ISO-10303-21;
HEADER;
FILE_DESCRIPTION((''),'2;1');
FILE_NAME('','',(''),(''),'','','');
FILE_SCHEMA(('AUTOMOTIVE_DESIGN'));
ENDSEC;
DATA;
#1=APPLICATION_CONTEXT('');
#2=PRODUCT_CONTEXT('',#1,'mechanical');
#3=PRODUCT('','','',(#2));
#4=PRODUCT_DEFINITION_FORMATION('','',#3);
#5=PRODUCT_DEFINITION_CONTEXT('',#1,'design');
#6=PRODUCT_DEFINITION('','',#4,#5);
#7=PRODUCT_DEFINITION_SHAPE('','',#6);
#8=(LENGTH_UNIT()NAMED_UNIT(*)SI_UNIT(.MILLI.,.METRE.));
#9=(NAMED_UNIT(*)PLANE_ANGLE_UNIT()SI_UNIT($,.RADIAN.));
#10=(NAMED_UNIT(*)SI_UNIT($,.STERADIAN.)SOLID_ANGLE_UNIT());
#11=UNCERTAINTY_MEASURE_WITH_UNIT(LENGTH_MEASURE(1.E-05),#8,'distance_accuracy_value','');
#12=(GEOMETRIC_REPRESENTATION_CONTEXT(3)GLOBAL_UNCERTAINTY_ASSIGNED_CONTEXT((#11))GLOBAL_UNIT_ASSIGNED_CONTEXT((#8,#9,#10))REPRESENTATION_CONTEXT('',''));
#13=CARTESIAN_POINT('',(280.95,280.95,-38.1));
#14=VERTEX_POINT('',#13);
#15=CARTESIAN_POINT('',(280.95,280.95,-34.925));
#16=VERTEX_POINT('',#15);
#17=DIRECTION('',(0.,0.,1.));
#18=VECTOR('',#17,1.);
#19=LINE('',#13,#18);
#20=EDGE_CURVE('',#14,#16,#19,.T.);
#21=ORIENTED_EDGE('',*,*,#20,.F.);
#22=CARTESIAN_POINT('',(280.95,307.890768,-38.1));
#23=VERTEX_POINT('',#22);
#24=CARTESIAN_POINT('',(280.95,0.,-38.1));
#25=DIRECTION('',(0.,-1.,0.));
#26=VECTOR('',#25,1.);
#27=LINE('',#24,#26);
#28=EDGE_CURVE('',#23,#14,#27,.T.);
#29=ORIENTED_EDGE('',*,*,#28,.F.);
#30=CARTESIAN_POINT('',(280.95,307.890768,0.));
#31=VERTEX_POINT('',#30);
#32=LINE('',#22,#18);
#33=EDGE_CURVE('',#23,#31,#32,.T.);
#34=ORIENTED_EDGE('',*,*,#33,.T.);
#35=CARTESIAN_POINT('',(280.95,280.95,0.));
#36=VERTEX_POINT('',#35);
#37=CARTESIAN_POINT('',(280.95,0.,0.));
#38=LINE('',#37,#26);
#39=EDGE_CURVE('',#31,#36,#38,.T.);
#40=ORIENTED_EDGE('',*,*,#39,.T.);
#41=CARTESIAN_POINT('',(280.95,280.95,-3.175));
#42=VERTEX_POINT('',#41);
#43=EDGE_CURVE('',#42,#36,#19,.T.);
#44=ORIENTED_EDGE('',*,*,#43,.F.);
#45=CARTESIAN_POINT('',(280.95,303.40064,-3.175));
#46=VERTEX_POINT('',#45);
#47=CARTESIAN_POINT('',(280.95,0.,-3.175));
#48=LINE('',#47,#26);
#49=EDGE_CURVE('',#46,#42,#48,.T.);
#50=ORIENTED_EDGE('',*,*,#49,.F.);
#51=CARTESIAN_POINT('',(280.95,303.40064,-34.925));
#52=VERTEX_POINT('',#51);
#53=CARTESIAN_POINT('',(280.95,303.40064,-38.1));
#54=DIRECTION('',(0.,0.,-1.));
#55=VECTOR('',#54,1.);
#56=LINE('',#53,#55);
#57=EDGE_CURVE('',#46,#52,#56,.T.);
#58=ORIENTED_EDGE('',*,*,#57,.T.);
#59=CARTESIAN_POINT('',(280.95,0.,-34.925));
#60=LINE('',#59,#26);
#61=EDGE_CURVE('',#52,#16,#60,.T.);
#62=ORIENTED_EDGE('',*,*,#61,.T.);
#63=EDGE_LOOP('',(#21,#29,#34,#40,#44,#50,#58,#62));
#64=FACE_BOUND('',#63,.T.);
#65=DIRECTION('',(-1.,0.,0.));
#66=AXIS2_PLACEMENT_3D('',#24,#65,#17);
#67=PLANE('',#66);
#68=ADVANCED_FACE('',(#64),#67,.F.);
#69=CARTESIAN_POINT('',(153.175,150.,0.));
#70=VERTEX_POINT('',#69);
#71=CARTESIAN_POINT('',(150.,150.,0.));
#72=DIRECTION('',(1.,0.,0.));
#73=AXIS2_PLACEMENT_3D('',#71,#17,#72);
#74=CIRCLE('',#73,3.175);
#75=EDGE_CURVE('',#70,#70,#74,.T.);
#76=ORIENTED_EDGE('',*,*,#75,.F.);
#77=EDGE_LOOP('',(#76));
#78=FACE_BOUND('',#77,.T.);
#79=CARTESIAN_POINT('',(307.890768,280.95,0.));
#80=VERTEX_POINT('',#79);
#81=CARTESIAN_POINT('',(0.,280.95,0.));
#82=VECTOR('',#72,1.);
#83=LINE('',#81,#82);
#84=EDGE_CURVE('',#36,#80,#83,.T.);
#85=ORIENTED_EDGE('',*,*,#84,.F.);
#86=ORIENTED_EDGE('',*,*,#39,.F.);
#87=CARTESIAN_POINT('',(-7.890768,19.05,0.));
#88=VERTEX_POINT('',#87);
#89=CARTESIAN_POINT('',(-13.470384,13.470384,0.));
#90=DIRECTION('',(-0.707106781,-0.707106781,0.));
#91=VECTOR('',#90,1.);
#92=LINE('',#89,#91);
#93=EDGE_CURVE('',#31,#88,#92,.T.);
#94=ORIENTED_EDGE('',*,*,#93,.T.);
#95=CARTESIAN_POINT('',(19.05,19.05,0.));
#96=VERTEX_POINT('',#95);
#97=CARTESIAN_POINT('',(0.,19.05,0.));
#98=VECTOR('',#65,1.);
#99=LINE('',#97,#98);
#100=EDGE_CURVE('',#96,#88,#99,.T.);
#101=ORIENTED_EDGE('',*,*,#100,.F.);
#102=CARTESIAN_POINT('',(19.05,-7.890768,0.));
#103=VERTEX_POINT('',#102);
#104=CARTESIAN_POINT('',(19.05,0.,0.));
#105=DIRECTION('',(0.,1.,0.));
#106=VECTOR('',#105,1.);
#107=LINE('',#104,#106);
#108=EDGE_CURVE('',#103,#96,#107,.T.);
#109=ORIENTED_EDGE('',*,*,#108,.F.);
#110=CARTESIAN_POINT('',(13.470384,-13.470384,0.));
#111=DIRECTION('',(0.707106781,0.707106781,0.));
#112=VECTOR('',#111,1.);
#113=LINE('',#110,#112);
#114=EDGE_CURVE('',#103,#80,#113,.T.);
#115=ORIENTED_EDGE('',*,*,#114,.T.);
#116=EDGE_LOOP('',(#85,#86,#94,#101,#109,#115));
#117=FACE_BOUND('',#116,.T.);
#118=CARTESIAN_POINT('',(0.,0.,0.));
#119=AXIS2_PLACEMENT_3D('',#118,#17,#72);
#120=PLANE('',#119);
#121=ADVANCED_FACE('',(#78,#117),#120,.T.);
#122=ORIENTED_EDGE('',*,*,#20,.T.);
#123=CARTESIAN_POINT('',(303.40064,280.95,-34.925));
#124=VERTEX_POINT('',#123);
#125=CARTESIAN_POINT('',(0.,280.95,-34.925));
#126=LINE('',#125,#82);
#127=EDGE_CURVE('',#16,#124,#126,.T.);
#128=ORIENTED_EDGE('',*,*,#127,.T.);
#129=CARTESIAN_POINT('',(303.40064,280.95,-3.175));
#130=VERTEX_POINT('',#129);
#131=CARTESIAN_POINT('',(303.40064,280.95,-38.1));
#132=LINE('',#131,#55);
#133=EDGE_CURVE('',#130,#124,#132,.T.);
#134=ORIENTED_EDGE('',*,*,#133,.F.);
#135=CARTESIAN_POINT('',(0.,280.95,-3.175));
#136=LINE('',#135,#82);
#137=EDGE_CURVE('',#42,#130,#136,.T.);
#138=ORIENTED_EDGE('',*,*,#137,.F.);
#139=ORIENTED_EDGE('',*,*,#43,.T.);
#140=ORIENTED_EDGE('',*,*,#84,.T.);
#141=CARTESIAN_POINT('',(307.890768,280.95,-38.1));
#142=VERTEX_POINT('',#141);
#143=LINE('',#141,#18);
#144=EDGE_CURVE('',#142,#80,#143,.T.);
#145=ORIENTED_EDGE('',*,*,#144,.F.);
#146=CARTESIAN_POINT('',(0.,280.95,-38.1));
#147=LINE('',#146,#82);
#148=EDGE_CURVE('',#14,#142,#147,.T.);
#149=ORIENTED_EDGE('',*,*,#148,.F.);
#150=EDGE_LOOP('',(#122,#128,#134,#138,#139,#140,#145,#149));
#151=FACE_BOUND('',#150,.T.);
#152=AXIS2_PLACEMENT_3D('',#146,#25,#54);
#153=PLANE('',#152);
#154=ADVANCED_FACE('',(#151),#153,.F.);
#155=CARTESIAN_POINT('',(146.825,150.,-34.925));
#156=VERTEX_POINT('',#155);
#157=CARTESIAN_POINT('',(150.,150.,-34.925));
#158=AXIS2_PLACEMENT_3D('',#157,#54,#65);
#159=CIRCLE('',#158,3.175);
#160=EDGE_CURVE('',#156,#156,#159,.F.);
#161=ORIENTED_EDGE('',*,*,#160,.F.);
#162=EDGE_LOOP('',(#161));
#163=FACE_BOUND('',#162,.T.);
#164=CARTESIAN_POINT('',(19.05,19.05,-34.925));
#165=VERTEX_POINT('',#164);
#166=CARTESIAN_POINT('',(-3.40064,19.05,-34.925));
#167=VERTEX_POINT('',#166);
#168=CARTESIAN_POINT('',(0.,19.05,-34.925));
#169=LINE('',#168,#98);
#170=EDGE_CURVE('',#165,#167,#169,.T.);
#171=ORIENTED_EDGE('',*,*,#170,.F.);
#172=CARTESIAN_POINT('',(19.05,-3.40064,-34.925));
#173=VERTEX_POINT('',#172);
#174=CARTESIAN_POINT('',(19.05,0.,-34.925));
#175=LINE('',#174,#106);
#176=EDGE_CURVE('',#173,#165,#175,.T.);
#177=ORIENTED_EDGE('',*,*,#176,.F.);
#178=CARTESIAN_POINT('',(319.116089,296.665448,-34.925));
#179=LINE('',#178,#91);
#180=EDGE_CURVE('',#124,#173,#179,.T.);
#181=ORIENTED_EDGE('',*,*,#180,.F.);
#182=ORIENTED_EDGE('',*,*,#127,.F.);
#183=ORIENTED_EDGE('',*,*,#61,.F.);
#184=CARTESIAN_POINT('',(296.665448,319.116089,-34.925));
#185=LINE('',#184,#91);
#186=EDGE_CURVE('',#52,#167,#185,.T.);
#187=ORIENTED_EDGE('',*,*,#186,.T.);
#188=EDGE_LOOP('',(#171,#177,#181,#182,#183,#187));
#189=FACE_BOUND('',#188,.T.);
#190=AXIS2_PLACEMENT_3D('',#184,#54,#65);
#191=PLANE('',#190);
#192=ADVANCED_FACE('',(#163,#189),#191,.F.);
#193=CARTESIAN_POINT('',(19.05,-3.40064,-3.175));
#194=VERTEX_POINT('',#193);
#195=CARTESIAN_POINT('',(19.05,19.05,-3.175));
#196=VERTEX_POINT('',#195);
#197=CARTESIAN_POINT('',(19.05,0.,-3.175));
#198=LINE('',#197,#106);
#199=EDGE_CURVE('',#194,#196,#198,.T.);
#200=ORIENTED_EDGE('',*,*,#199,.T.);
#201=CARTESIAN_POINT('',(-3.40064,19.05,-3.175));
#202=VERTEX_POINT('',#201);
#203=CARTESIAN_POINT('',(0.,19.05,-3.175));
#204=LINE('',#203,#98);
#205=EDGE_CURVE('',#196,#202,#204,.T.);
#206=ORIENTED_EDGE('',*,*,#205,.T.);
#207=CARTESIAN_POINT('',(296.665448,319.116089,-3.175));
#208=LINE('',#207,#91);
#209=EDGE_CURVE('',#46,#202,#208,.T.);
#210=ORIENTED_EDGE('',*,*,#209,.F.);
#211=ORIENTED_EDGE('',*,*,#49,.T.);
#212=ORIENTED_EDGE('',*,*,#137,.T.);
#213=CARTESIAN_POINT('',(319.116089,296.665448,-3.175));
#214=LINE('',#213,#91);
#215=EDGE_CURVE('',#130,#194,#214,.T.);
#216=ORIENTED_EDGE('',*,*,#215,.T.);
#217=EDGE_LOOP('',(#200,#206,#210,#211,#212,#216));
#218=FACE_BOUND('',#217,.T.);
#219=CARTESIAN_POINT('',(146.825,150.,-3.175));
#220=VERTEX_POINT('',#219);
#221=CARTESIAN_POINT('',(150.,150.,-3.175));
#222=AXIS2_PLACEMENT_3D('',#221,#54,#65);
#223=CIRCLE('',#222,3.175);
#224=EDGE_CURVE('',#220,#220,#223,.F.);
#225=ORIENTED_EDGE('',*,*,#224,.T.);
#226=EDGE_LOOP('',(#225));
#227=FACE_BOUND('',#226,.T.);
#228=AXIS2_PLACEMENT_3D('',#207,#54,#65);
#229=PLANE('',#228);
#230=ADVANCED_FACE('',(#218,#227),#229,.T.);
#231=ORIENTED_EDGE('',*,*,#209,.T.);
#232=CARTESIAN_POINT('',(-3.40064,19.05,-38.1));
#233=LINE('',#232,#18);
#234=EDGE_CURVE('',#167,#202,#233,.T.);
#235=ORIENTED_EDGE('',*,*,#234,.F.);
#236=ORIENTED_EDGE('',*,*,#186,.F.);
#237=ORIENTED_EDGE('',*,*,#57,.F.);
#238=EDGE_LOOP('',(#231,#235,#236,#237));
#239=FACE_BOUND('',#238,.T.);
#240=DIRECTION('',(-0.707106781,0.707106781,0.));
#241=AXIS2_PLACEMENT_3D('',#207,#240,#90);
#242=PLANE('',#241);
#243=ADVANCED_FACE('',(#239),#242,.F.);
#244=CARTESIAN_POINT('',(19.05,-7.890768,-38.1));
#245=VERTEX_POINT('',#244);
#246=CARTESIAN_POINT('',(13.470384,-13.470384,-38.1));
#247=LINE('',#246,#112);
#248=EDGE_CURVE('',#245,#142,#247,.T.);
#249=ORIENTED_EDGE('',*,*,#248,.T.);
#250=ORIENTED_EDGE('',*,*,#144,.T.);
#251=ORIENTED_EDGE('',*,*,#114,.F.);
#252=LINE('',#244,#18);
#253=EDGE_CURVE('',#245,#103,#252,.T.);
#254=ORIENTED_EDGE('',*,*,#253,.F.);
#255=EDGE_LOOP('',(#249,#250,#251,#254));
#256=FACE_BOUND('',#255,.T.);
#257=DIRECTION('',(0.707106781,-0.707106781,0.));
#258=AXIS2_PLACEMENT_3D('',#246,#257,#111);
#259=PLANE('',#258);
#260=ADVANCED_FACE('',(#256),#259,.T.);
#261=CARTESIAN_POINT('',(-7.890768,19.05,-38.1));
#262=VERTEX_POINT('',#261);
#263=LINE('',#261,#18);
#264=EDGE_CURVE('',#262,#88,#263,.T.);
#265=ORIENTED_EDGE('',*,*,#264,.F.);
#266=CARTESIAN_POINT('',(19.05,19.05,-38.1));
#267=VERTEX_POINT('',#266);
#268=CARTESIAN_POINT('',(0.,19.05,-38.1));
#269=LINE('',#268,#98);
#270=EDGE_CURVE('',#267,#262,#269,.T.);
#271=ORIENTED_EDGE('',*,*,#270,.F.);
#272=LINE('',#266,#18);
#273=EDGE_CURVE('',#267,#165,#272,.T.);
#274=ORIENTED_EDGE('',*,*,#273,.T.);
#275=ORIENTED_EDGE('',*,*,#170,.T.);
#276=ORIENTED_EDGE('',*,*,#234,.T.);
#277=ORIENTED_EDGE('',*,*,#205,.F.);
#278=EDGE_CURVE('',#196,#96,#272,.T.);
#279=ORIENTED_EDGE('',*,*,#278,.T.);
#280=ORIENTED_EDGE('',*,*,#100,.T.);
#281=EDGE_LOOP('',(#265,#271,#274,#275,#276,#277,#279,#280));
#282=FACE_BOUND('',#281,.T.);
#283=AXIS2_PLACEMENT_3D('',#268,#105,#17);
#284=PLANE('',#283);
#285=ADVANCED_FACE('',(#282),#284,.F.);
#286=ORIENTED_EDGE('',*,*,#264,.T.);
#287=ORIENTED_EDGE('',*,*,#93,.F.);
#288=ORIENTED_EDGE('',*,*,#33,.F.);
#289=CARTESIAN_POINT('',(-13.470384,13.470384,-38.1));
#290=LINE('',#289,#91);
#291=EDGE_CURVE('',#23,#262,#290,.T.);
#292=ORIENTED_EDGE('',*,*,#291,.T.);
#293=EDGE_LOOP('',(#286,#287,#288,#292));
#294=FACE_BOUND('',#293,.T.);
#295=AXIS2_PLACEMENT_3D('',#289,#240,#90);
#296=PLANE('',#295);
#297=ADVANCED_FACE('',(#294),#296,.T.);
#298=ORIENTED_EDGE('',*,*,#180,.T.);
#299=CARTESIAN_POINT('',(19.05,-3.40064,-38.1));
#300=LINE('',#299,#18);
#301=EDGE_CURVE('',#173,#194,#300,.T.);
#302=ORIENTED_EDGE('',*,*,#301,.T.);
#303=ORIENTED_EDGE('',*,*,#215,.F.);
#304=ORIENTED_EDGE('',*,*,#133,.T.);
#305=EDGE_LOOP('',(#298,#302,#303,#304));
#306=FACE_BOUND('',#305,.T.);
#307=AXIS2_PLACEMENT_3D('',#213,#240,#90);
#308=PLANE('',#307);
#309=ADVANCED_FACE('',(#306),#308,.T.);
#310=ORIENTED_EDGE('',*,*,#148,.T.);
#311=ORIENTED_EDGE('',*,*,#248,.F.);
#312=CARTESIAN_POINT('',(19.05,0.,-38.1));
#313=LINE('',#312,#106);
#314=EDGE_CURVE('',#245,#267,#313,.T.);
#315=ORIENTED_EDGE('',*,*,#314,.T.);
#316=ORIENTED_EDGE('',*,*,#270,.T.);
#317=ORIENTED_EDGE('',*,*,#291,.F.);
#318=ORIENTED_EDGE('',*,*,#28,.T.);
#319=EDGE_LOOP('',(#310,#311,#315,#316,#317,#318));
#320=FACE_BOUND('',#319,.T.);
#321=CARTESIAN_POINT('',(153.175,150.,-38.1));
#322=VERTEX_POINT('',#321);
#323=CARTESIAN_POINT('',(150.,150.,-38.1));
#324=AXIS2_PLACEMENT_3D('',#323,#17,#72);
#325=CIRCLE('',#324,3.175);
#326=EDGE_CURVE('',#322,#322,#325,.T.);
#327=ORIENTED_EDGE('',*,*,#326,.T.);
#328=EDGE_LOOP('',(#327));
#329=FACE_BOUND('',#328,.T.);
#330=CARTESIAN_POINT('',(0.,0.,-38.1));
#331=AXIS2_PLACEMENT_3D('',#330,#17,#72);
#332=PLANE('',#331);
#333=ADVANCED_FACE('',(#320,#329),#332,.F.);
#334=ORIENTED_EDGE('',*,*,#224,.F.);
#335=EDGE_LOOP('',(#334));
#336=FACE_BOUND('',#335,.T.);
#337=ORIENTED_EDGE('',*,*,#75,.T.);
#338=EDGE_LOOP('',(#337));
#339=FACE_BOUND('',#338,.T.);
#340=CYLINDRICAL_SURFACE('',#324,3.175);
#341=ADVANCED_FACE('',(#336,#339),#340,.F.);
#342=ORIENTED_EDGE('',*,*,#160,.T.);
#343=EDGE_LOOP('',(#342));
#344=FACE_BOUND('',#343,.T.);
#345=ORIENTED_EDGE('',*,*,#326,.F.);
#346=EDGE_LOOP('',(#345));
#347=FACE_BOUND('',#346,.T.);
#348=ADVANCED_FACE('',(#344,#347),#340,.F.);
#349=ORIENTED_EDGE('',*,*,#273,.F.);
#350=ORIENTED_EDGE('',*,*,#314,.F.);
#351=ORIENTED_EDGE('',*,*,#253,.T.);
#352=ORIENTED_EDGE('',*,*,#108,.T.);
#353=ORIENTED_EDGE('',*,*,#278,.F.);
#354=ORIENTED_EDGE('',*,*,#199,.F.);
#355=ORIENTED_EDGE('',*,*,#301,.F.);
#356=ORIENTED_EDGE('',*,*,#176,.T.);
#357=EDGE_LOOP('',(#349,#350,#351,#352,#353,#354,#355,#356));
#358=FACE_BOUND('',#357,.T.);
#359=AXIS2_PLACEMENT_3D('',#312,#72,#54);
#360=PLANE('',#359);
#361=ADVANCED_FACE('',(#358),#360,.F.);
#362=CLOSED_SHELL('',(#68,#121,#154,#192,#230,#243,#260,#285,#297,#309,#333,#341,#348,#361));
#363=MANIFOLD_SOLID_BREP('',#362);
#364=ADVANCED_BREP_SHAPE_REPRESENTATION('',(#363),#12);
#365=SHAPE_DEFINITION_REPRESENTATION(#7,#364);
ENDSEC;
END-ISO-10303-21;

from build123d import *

# Parameters (mm, degrees)
SKETCH1_R               = 3.175
BOSS_EXTRUDE1_DEPTH     = 38.1
SKETCH3_W               = 31.75
SKETCH3_H               = 31.75
CUT_EXTRUDE1_DEPTH      = 224.291265993
CUT_EXTRUDE1_DEPTH_BACK = 224.291265993


with BuildPart() as part:
    # Sketch1 → Boss-Extrude1 (new body)
    with BuildSketch(Plane.XY):
        Polygon((19.05, -7.890768363), (307.890768363, 280.95), (280.95, 280.95), (280.95, 307.890768363), (-7.890768363, 19.05), (19.05, 19.05), align=None)
        with Locations((150, 150)):
            Circle(SKETCH1_R, mode=Mode.SUBTRACT)
    extrude(amount=-BOSS_EXTRUDE1_DEPTH)

    # Sketch3 → Cut-Extrude1 (cut, two sides)
    with BuildSketch(Plane(origin=(150, 150, 0), x_dir=(-0.707106781, 0.707106781, 0), z_dir=(-0.707106781, -0.707106781, 0))) as cut_extrude1_sk:
        with Locations((0, 19.05)):
            Rectangle(SKETCH3_W, SKETCH3_H)
    extrude(amount=CUT_EXTRUDE1_DEPTH, mode=Mode.SUBTRACT)
    extrude(cut_extrude1_sk.sketch, amount=-CUT_EXTRUDE1_DEPTH_BACK, mode=Mode.SUBTRACT)


solid = part.part
